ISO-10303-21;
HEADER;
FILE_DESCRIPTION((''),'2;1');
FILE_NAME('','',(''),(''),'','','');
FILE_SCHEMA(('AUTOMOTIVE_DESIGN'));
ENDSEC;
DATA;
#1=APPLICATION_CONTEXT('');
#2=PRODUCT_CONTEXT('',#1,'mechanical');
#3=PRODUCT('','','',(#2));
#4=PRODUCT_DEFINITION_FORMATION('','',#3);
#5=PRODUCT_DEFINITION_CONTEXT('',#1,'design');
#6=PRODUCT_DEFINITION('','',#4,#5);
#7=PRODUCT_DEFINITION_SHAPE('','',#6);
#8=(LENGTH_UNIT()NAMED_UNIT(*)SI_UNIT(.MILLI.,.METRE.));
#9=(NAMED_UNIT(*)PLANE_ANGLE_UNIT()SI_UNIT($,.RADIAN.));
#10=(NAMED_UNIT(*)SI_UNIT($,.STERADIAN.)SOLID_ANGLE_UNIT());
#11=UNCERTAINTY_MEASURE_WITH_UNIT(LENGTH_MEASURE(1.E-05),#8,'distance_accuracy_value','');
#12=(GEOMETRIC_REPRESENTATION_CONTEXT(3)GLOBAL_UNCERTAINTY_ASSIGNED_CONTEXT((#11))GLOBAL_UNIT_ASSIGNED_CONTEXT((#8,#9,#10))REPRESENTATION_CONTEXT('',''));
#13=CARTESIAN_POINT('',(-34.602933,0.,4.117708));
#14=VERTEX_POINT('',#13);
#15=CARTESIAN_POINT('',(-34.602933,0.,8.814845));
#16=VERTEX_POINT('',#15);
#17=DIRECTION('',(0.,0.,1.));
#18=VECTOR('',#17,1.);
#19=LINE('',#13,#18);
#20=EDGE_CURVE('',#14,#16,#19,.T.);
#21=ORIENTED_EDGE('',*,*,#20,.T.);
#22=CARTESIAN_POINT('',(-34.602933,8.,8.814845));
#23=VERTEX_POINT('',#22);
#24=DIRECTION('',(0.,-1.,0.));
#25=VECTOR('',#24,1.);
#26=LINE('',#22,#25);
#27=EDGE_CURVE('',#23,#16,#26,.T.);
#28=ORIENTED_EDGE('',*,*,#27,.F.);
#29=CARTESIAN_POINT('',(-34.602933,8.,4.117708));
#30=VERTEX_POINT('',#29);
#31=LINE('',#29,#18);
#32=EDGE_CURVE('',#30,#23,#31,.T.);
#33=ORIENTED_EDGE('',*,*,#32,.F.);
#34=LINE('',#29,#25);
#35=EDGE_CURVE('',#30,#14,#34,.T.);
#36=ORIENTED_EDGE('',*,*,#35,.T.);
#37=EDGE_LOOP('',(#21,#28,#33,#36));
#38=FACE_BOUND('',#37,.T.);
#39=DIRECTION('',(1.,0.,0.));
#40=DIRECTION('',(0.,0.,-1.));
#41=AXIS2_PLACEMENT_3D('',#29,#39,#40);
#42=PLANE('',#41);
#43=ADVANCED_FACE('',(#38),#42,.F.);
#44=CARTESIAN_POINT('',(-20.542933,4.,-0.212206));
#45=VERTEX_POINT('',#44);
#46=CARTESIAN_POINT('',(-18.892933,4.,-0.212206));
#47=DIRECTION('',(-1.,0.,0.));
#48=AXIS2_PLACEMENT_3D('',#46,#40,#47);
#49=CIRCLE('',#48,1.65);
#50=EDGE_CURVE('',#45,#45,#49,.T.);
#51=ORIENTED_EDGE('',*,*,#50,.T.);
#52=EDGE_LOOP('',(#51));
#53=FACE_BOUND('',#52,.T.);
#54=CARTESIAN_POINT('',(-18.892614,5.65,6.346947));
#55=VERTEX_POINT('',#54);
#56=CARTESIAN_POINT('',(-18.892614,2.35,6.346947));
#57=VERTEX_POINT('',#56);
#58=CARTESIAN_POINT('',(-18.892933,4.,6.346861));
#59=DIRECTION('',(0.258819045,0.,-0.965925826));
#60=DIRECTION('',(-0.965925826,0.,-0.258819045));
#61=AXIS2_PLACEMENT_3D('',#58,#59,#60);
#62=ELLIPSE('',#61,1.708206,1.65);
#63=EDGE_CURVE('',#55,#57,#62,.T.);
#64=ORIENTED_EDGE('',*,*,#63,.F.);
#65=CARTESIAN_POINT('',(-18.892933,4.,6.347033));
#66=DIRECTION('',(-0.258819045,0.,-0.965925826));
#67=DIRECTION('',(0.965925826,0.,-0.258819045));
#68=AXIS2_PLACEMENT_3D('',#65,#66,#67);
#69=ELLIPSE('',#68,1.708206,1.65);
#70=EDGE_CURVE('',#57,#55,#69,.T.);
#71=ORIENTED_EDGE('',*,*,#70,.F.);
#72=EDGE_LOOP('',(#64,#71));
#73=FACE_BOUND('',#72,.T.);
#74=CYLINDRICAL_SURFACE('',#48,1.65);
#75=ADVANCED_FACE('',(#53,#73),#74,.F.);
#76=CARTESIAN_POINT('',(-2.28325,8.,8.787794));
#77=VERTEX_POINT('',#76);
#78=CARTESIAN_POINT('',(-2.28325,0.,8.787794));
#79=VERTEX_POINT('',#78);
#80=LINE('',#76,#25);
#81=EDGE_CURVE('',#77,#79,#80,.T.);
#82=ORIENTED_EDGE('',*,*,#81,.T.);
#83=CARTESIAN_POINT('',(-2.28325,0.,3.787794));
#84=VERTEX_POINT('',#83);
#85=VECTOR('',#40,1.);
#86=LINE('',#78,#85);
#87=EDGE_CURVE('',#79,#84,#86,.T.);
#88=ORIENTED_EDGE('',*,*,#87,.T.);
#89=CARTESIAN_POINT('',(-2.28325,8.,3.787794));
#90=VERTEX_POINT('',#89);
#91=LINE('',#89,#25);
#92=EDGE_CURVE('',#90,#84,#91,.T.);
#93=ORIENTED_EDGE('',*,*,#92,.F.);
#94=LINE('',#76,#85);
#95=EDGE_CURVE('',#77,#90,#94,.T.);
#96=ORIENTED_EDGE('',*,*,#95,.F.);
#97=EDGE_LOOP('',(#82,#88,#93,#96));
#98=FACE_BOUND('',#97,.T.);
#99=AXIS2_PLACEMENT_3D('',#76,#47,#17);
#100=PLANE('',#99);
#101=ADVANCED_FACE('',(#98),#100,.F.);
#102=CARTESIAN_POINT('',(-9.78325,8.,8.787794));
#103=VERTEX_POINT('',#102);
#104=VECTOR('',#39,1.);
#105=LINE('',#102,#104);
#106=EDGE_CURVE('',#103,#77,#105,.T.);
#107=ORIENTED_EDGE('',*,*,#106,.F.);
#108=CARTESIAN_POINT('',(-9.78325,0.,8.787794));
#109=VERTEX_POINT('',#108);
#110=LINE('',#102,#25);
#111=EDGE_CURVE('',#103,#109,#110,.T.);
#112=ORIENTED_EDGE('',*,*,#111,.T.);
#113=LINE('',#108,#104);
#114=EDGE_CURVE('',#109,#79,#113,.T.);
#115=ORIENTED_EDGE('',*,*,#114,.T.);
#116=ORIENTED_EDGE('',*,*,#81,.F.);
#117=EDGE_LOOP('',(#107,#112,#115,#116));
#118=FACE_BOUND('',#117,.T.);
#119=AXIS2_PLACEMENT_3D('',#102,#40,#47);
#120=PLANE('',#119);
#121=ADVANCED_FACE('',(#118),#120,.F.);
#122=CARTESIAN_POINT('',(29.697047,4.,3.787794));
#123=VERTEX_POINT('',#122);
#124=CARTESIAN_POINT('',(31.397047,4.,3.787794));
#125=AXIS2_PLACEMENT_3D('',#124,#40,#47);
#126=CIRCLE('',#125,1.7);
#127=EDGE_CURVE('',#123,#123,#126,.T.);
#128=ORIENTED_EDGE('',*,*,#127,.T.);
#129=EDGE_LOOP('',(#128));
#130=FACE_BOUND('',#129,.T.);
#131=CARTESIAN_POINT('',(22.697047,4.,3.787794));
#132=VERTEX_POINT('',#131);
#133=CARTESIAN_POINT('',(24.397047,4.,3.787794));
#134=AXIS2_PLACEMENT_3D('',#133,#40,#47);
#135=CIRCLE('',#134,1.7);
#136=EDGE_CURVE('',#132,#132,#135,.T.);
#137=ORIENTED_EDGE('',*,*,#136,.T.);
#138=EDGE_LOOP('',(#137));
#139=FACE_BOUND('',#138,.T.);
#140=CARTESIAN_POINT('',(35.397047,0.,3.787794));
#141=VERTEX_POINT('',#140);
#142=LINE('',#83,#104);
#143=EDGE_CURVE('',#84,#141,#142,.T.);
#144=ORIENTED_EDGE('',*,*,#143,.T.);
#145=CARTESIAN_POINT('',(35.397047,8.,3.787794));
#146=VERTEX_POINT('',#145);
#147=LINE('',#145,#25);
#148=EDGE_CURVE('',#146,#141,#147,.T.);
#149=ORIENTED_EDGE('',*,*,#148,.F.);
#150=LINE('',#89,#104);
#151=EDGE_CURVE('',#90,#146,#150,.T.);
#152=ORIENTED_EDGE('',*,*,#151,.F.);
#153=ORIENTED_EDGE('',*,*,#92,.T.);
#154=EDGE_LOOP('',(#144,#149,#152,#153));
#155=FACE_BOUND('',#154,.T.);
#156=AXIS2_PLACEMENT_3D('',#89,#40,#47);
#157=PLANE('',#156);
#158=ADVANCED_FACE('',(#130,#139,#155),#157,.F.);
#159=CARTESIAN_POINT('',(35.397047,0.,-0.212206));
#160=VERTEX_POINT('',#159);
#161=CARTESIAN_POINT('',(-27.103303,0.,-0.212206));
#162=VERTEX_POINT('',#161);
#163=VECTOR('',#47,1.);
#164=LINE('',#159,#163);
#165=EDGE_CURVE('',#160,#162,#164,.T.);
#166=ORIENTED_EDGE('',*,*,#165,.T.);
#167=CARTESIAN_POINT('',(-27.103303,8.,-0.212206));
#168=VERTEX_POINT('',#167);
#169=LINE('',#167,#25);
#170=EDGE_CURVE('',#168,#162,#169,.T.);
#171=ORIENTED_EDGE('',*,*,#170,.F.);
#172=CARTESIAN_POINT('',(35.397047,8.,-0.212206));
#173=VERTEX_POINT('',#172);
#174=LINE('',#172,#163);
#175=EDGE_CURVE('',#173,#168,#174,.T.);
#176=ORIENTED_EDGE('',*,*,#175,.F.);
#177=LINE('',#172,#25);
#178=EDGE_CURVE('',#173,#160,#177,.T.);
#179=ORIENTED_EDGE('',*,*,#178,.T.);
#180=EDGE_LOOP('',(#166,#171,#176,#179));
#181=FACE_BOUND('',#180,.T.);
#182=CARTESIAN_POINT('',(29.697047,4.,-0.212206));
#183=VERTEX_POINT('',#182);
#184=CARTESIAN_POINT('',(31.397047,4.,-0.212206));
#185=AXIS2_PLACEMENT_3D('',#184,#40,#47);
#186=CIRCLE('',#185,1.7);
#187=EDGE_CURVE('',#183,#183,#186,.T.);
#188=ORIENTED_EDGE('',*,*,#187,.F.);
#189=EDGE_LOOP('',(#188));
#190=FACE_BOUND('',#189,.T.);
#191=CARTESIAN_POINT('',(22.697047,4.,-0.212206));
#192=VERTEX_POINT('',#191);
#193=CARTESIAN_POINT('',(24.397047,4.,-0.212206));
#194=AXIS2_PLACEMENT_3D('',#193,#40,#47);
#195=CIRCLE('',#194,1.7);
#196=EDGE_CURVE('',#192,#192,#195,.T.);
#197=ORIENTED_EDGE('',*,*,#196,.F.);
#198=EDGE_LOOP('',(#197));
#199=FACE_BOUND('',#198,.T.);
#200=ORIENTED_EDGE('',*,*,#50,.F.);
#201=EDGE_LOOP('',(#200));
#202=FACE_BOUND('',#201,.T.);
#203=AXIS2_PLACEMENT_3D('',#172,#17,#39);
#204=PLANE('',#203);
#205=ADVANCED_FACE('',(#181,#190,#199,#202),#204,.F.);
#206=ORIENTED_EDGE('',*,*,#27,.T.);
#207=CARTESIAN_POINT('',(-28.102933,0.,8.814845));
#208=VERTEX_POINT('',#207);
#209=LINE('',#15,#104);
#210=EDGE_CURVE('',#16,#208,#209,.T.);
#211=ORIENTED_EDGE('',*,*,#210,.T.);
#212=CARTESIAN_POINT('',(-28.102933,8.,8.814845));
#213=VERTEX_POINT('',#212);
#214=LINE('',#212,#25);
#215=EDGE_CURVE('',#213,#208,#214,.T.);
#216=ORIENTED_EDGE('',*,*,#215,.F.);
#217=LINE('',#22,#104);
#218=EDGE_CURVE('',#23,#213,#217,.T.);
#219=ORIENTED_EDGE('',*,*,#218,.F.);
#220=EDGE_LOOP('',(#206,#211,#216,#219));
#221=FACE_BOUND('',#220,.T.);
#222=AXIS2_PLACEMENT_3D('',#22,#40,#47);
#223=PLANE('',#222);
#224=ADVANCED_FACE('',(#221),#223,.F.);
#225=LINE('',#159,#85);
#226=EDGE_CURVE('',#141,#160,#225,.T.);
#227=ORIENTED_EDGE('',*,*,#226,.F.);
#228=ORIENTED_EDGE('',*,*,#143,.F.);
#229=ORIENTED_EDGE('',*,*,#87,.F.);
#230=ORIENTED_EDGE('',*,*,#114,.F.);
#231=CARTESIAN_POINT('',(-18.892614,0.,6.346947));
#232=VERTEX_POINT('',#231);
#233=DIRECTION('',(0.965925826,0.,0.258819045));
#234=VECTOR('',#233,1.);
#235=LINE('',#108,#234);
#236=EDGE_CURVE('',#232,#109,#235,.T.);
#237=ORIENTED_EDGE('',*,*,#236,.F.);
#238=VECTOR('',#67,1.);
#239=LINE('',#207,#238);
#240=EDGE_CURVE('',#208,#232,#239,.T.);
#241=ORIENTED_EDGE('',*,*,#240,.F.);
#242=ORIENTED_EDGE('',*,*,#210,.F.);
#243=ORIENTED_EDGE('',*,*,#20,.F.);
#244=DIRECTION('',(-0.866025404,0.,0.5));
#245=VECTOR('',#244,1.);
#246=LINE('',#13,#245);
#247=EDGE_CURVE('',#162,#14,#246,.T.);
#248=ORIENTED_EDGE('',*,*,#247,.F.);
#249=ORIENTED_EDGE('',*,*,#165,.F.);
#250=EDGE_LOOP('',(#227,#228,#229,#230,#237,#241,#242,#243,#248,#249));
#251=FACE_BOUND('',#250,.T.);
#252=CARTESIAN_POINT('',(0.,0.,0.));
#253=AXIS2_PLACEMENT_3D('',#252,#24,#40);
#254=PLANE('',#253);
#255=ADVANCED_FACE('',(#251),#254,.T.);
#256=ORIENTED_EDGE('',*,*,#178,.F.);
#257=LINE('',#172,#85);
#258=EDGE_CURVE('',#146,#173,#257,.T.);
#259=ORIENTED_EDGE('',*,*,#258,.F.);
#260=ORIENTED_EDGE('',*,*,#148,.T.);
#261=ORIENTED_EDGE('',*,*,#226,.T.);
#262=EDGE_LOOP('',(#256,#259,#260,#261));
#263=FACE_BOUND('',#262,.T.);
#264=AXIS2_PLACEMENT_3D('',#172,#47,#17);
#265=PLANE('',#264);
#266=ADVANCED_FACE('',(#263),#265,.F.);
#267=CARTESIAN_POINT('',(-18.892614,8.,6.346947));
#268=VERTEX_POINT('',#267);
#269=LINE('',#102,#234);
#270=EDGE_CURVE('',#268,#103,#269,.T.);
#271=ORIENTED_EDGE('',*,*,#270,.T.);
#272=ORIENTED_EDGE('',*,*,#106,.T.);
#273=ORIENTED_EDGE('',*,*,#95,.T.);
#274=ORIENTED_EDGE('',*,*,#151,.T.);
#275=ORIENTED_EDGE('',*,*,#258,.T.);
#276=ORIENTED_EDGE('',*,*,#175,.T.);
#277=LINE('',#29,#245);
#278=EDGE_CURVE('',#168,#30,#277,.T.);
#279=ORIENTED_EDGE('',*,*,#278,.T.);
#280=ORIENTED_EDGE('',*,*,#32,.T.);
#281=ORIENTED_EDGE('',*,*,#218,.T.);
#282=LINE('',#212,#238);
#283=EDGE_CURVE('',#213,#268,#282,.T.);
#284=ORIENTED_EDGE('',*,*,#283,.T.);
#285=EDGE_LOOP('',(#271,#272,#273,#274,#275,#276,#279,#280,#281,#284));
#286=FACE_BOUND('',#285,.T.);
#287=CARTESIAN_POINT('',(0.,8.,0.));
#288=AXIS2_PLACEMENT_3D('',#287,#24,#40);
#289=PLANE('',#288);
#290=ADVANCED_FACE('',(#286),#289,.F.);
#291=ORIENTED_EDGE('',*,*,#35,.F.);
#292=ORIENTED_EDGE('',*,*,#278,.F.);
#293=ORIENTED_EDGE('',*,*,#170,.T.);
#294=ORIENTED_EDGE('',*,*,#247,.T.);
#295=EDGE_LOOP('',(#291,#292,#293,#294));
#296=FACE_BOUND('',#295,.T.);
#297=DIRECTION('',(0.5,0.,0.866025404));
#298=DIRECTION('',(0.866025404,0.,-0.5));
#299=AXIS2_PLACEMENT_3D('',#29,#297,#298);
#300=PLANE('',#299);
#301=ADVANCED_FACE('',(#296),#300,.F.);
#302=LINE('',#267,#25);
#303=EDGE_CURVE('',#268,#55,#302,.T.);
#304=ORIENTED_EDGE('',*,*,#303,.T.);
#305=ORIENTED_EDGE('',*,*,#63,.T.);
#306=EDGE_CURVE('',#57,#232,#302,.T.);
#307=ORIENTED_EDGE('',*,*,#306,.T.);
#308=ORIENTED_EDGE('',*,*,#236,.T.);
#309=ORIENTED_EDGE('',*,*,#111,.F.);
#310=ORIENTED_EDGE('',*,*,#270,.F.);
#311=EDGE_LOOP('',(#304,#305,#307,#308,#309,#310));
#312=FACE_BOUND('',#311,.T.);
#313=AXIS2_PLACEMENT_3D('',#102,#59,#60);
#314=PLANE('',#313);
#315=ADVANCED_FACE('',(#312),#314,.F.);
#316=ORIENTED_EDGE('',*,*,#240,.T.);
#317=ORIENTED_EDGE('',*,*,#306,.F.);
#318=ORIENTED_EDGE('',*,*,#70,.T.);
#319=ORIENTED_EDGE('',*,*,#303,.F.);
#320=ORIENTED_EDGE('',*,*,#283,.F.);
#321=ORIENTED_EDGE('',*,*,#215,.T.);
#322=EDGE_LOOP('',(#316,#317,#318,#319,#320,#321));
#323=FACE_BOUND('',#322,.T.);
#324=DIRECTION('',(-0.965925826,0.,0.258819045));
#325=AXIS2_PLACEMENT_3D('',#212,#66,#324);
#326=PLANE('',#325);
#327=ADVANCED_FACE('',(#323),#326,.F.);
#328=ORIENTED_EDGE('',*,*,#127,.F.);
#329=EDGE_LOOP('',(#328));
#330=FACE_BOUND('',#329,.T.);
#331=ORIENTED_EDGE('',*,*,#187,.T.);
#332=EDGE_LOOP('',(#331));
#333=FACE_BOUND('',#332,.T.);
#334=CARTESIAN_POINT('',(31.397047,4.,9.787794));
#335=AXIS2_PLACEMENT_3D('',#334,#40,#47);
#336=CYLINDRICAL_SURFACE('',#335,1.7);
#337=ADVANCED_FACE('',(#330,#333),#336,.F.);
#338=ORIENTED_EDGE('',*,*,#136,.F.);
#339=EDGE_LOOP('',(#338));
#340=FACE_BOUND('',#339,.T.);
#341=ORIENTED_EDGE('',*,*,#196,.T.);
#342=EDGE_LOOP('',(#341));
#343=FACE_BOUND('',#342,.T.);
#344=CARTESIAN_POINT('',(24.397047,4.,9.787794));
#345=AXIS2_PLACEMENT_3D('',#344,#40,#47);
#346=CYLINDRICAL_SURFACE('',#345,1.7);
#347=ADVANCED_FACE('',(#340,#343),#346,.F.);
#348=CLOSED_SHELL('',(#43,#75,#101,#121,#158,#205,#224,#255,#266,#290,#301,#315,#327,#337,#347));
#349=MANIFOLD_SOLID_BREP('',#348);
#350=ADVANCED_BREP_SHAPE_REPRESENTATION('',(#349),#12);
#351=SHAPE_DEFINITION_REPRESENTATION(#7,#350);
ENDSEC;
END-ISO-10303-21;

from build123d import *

# Parameters (mm, degrees)
BOSS_EXTRUDE2_DEPTH   = 8
M4_TAPPED_HOLE1_D     = 3.3
M4_TAPPED_HOLE1_DEPTH = 11.5
M4_TAPPED_HOLE1_TIP   = 0.991420021
SKETCH8_R             = 1.7
CUT_EXTRUDE1_DEPTH    = 10


with BuildPart() as part:
    # Sketch1 → Boss-Extrude2 (new body)
    with BuildSketch(Plane(origin=(0, 0, 0), x_dir=(1, 0, 0), z_dir=(0, 1, 0))):
        Polygon((35.397046685, 0.212206196), (35.397046685, -3.787793804), (-2.283249607, -3.787793804), (-2.283249607, -8.787793804), (-9.783249607, -8.787793804), (-18.892613672, -6.346947059), (-28.102933344, -8.814844777), (-34.602933344, -8.814844777), (-34.602933344, -4.117707659), (-27.103302555, 0.212206196), align=None)
    extrude(amount=BOSS_EXTRUDE2_DEPTH)

    # M4 Tapped Hole1
    with Locations(Plane(origin=(0, 0, -0.212206196), x_dir=(-1, 0, 0), z_dir=(0, 0, -1))):
        with Locations((18.892933344, 4)):
            Hole(M4_TAPPED_HOLE1_D / 2, depth=M4_TAPPED_HOLE1_DEPTH)
            with Locations((0, 0, -(M4_TAPPED_HOLE1_DEPTH + M4_TAPPED_HOLE1_TIP / 2))):  # 118° drill point
                Cone(0, M4_TAPPED_HOLE1_D / 2, M4_TAPPED_HOLE1_TIP, mode=Mode.SUBTRACT)

    # Sketch8 → Cut-Extrude1 (cut)
    with BuildSketch(Plane(origin=(0, 0, -0.212206196), x_dir=(-1, 0, 0), z_dir=(0, 0, -1))):
        with Locations((-31.397046685, 4)):
            Circle(SKETCH8_R)
        with Locations((-24.397046685, 4)):
            Circle(SKETCH8_R)
    extrude(amount=-CUT_EXTRUDE1_DEPTH, mode=Mode.SUBTRACT)


solid = part.part
